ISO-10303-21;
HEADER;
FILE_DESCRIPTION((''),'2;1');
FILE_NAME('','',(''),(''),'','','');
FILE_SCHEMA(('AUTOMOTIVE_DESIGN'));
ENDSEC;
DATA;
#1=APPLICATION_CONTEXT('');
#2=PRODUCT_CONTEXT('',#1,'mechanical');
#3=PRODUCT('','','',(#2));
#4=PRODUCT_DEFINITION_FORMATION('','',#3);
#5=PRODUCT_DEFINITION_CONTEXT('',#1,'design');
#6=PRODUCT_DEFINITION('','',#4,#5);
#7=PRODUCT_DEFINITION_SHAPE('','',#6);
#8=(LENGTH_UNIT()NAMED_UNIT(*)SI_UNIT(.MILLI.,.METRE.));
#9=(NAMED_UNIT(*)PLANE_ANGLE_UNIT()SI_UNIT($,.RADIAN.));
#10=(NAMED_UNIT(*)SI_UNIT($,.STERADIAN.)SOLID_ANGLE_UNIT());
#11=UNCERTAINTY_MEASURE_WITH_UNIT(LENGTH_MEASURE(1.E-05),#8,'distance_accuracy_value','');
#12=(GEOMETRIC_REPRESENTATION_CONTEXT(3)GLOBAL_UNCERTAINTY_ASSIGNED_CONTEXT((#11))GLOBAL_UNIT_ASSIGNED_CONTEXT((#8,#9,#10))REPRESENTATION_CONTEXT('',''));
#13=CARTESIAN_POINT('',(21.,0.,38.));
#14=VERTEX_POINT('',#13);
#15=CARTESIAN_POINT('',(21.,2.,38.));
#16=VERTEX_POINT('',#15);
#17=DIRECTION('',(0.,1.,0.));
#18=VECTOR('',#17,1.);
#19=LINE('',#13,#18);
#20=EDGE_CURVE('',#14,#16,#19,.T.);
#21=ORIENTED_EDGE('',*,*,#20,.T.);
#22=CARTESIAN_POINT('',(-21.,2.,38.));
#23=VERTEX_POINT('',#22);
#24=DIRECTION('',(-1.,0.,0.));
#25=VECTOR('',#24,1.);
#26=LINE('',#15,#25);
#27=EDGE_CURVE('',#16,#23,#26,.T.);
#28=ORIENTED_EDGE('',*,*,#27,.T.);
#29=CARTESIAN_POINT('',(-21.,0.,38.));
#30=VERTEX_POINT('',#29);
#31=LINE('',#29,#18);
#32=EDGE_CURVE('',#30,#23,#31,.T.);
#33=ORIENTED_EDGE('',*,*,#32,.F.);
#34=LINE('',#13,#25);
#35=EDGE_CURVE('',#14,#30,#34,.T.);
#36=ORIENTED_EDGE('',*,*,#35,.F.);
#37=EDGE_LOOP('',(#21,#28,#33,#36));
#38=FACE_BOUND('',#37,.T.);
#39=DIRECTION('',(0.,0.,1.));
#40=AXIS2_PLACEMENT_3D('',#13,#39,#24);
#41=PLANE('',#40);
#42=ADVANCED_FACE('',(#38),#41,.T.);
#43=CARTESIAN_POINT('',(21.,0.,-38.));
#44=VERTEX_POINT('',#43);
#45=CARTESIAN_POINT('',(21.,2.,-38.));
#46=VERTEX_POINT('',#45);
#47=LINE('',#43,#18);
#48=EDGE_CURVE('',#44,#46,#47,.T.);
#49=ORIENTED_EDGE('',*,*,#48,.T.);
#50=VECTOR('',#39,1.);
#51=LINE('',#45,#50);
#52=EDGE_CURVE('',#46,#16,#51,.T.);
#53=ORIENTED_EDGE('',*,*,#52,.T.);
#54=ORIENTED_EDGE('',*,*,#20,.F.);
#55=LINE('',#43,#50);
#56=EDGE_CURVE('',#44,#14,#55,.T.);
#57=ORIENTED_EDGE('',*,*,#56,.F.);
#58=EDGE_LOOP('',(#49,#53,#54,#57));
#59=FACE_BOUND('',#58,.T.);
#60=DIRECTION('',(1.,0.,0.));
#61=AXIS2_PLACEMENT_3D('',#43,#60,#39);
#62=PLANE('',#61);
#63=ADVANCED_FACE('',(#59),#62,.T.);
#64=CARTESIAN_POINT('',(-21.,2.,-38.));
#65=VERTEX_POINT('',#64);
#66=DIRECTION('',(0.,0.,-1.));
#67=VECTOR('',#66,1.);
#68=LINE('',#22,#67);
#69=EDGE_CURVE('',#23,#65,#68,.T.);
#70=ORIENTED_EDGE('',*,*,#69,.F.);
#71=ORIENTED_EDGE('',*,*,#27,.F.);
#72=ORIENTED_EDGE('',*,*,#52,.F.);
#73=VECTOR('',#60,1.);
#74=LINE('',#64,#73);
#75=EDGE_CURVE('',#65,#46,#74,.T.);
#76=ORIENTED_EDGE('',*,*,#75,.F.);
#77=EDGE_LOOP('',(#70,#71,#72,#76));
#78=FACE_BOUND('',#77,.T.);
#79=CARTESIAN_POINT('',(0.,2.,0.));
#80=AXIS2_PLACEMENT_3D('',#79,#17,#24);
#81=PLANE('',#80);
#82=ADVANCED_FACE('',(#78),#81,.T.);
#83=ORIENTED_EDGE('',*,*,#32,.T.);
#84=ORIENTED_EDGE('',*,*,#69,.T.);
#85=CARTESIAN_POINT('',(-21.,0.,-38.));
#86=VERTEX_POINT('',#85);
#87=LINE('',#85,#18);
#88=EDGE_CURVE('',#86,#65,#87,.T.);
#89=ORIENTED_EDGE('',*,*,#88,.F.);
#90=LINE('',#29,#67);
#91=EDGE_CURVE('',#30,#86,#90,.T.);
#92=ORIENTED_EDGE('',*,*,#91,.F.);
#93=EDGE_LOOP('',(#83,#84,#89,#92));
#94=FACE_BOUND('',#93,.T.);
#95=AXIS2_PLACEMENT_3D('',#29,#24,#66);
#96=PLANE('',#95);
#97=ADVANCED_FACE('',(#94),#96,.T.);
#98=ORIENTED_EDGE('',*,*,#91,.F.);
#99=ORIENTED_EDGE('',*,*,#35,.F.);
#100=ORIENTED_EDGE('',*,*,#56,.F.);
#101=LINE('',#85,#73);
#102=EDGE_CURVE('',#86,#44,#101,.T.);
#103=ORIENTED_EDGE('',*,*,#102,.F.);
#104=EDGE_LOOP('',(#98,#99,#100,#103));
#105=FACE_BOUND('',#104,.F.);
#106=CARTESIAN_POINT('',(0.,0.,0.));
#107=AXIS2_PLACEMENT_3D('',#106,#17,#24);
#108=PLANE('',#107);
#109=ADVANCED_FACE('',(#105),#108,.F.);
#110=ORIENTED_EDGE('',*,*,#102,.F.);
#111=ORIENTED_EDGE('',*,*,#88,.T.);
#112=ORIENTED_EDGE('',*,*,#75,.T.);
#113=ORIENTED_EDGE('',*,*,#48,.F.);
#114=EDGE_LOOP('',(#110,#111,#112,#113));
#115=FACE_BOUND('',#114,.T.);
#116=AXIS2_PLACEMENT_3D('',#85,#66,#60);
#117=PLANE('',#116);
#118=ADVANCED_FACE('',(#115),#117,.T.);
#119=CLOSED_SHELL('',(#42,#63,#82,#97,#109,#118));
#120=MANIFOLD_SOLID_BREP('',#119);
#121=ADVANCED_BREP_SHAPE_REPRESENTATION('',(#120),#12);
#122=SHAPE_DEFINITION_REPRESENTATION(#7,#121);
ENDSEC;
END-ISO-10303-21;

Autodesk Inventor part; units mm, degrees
ref_plane "YZ Plane" through (0, 0, 0) normal (1, 0, 0) x (0, 1, 0)
ref_plane "XZ Plane" through (0, 0, 0) normal (0, 1, 0) x (-1, 0, 0)
ref_plane "XY Plane" through (0, 0, 0) normal (0, 0, 1) x (1, 0, 0)
sketch "Sketch1" plane through (0, 0, 0) normal (0, 1, 0) x (-1, 0, 0)
  line L0 (-21, 38) -> (21, 38)
  line L1 (21, 38) -> (21, -38)
  line L2 (21, -38) -> (-21, -38)
  line L3 (-21, -38) -> (-21, 38)
  line L4 (-21, 38) -> (21, -38) construction
  line L5 (21, 38) -> (-21, -38) construction
  point P0 (0, 0)
  dimension "d0" = 76
  dimension "d1" = 42
extrude "Extrusion1" add sketch "Sketch1" along normal blind 2
properties part number "tatakan_mcu"
